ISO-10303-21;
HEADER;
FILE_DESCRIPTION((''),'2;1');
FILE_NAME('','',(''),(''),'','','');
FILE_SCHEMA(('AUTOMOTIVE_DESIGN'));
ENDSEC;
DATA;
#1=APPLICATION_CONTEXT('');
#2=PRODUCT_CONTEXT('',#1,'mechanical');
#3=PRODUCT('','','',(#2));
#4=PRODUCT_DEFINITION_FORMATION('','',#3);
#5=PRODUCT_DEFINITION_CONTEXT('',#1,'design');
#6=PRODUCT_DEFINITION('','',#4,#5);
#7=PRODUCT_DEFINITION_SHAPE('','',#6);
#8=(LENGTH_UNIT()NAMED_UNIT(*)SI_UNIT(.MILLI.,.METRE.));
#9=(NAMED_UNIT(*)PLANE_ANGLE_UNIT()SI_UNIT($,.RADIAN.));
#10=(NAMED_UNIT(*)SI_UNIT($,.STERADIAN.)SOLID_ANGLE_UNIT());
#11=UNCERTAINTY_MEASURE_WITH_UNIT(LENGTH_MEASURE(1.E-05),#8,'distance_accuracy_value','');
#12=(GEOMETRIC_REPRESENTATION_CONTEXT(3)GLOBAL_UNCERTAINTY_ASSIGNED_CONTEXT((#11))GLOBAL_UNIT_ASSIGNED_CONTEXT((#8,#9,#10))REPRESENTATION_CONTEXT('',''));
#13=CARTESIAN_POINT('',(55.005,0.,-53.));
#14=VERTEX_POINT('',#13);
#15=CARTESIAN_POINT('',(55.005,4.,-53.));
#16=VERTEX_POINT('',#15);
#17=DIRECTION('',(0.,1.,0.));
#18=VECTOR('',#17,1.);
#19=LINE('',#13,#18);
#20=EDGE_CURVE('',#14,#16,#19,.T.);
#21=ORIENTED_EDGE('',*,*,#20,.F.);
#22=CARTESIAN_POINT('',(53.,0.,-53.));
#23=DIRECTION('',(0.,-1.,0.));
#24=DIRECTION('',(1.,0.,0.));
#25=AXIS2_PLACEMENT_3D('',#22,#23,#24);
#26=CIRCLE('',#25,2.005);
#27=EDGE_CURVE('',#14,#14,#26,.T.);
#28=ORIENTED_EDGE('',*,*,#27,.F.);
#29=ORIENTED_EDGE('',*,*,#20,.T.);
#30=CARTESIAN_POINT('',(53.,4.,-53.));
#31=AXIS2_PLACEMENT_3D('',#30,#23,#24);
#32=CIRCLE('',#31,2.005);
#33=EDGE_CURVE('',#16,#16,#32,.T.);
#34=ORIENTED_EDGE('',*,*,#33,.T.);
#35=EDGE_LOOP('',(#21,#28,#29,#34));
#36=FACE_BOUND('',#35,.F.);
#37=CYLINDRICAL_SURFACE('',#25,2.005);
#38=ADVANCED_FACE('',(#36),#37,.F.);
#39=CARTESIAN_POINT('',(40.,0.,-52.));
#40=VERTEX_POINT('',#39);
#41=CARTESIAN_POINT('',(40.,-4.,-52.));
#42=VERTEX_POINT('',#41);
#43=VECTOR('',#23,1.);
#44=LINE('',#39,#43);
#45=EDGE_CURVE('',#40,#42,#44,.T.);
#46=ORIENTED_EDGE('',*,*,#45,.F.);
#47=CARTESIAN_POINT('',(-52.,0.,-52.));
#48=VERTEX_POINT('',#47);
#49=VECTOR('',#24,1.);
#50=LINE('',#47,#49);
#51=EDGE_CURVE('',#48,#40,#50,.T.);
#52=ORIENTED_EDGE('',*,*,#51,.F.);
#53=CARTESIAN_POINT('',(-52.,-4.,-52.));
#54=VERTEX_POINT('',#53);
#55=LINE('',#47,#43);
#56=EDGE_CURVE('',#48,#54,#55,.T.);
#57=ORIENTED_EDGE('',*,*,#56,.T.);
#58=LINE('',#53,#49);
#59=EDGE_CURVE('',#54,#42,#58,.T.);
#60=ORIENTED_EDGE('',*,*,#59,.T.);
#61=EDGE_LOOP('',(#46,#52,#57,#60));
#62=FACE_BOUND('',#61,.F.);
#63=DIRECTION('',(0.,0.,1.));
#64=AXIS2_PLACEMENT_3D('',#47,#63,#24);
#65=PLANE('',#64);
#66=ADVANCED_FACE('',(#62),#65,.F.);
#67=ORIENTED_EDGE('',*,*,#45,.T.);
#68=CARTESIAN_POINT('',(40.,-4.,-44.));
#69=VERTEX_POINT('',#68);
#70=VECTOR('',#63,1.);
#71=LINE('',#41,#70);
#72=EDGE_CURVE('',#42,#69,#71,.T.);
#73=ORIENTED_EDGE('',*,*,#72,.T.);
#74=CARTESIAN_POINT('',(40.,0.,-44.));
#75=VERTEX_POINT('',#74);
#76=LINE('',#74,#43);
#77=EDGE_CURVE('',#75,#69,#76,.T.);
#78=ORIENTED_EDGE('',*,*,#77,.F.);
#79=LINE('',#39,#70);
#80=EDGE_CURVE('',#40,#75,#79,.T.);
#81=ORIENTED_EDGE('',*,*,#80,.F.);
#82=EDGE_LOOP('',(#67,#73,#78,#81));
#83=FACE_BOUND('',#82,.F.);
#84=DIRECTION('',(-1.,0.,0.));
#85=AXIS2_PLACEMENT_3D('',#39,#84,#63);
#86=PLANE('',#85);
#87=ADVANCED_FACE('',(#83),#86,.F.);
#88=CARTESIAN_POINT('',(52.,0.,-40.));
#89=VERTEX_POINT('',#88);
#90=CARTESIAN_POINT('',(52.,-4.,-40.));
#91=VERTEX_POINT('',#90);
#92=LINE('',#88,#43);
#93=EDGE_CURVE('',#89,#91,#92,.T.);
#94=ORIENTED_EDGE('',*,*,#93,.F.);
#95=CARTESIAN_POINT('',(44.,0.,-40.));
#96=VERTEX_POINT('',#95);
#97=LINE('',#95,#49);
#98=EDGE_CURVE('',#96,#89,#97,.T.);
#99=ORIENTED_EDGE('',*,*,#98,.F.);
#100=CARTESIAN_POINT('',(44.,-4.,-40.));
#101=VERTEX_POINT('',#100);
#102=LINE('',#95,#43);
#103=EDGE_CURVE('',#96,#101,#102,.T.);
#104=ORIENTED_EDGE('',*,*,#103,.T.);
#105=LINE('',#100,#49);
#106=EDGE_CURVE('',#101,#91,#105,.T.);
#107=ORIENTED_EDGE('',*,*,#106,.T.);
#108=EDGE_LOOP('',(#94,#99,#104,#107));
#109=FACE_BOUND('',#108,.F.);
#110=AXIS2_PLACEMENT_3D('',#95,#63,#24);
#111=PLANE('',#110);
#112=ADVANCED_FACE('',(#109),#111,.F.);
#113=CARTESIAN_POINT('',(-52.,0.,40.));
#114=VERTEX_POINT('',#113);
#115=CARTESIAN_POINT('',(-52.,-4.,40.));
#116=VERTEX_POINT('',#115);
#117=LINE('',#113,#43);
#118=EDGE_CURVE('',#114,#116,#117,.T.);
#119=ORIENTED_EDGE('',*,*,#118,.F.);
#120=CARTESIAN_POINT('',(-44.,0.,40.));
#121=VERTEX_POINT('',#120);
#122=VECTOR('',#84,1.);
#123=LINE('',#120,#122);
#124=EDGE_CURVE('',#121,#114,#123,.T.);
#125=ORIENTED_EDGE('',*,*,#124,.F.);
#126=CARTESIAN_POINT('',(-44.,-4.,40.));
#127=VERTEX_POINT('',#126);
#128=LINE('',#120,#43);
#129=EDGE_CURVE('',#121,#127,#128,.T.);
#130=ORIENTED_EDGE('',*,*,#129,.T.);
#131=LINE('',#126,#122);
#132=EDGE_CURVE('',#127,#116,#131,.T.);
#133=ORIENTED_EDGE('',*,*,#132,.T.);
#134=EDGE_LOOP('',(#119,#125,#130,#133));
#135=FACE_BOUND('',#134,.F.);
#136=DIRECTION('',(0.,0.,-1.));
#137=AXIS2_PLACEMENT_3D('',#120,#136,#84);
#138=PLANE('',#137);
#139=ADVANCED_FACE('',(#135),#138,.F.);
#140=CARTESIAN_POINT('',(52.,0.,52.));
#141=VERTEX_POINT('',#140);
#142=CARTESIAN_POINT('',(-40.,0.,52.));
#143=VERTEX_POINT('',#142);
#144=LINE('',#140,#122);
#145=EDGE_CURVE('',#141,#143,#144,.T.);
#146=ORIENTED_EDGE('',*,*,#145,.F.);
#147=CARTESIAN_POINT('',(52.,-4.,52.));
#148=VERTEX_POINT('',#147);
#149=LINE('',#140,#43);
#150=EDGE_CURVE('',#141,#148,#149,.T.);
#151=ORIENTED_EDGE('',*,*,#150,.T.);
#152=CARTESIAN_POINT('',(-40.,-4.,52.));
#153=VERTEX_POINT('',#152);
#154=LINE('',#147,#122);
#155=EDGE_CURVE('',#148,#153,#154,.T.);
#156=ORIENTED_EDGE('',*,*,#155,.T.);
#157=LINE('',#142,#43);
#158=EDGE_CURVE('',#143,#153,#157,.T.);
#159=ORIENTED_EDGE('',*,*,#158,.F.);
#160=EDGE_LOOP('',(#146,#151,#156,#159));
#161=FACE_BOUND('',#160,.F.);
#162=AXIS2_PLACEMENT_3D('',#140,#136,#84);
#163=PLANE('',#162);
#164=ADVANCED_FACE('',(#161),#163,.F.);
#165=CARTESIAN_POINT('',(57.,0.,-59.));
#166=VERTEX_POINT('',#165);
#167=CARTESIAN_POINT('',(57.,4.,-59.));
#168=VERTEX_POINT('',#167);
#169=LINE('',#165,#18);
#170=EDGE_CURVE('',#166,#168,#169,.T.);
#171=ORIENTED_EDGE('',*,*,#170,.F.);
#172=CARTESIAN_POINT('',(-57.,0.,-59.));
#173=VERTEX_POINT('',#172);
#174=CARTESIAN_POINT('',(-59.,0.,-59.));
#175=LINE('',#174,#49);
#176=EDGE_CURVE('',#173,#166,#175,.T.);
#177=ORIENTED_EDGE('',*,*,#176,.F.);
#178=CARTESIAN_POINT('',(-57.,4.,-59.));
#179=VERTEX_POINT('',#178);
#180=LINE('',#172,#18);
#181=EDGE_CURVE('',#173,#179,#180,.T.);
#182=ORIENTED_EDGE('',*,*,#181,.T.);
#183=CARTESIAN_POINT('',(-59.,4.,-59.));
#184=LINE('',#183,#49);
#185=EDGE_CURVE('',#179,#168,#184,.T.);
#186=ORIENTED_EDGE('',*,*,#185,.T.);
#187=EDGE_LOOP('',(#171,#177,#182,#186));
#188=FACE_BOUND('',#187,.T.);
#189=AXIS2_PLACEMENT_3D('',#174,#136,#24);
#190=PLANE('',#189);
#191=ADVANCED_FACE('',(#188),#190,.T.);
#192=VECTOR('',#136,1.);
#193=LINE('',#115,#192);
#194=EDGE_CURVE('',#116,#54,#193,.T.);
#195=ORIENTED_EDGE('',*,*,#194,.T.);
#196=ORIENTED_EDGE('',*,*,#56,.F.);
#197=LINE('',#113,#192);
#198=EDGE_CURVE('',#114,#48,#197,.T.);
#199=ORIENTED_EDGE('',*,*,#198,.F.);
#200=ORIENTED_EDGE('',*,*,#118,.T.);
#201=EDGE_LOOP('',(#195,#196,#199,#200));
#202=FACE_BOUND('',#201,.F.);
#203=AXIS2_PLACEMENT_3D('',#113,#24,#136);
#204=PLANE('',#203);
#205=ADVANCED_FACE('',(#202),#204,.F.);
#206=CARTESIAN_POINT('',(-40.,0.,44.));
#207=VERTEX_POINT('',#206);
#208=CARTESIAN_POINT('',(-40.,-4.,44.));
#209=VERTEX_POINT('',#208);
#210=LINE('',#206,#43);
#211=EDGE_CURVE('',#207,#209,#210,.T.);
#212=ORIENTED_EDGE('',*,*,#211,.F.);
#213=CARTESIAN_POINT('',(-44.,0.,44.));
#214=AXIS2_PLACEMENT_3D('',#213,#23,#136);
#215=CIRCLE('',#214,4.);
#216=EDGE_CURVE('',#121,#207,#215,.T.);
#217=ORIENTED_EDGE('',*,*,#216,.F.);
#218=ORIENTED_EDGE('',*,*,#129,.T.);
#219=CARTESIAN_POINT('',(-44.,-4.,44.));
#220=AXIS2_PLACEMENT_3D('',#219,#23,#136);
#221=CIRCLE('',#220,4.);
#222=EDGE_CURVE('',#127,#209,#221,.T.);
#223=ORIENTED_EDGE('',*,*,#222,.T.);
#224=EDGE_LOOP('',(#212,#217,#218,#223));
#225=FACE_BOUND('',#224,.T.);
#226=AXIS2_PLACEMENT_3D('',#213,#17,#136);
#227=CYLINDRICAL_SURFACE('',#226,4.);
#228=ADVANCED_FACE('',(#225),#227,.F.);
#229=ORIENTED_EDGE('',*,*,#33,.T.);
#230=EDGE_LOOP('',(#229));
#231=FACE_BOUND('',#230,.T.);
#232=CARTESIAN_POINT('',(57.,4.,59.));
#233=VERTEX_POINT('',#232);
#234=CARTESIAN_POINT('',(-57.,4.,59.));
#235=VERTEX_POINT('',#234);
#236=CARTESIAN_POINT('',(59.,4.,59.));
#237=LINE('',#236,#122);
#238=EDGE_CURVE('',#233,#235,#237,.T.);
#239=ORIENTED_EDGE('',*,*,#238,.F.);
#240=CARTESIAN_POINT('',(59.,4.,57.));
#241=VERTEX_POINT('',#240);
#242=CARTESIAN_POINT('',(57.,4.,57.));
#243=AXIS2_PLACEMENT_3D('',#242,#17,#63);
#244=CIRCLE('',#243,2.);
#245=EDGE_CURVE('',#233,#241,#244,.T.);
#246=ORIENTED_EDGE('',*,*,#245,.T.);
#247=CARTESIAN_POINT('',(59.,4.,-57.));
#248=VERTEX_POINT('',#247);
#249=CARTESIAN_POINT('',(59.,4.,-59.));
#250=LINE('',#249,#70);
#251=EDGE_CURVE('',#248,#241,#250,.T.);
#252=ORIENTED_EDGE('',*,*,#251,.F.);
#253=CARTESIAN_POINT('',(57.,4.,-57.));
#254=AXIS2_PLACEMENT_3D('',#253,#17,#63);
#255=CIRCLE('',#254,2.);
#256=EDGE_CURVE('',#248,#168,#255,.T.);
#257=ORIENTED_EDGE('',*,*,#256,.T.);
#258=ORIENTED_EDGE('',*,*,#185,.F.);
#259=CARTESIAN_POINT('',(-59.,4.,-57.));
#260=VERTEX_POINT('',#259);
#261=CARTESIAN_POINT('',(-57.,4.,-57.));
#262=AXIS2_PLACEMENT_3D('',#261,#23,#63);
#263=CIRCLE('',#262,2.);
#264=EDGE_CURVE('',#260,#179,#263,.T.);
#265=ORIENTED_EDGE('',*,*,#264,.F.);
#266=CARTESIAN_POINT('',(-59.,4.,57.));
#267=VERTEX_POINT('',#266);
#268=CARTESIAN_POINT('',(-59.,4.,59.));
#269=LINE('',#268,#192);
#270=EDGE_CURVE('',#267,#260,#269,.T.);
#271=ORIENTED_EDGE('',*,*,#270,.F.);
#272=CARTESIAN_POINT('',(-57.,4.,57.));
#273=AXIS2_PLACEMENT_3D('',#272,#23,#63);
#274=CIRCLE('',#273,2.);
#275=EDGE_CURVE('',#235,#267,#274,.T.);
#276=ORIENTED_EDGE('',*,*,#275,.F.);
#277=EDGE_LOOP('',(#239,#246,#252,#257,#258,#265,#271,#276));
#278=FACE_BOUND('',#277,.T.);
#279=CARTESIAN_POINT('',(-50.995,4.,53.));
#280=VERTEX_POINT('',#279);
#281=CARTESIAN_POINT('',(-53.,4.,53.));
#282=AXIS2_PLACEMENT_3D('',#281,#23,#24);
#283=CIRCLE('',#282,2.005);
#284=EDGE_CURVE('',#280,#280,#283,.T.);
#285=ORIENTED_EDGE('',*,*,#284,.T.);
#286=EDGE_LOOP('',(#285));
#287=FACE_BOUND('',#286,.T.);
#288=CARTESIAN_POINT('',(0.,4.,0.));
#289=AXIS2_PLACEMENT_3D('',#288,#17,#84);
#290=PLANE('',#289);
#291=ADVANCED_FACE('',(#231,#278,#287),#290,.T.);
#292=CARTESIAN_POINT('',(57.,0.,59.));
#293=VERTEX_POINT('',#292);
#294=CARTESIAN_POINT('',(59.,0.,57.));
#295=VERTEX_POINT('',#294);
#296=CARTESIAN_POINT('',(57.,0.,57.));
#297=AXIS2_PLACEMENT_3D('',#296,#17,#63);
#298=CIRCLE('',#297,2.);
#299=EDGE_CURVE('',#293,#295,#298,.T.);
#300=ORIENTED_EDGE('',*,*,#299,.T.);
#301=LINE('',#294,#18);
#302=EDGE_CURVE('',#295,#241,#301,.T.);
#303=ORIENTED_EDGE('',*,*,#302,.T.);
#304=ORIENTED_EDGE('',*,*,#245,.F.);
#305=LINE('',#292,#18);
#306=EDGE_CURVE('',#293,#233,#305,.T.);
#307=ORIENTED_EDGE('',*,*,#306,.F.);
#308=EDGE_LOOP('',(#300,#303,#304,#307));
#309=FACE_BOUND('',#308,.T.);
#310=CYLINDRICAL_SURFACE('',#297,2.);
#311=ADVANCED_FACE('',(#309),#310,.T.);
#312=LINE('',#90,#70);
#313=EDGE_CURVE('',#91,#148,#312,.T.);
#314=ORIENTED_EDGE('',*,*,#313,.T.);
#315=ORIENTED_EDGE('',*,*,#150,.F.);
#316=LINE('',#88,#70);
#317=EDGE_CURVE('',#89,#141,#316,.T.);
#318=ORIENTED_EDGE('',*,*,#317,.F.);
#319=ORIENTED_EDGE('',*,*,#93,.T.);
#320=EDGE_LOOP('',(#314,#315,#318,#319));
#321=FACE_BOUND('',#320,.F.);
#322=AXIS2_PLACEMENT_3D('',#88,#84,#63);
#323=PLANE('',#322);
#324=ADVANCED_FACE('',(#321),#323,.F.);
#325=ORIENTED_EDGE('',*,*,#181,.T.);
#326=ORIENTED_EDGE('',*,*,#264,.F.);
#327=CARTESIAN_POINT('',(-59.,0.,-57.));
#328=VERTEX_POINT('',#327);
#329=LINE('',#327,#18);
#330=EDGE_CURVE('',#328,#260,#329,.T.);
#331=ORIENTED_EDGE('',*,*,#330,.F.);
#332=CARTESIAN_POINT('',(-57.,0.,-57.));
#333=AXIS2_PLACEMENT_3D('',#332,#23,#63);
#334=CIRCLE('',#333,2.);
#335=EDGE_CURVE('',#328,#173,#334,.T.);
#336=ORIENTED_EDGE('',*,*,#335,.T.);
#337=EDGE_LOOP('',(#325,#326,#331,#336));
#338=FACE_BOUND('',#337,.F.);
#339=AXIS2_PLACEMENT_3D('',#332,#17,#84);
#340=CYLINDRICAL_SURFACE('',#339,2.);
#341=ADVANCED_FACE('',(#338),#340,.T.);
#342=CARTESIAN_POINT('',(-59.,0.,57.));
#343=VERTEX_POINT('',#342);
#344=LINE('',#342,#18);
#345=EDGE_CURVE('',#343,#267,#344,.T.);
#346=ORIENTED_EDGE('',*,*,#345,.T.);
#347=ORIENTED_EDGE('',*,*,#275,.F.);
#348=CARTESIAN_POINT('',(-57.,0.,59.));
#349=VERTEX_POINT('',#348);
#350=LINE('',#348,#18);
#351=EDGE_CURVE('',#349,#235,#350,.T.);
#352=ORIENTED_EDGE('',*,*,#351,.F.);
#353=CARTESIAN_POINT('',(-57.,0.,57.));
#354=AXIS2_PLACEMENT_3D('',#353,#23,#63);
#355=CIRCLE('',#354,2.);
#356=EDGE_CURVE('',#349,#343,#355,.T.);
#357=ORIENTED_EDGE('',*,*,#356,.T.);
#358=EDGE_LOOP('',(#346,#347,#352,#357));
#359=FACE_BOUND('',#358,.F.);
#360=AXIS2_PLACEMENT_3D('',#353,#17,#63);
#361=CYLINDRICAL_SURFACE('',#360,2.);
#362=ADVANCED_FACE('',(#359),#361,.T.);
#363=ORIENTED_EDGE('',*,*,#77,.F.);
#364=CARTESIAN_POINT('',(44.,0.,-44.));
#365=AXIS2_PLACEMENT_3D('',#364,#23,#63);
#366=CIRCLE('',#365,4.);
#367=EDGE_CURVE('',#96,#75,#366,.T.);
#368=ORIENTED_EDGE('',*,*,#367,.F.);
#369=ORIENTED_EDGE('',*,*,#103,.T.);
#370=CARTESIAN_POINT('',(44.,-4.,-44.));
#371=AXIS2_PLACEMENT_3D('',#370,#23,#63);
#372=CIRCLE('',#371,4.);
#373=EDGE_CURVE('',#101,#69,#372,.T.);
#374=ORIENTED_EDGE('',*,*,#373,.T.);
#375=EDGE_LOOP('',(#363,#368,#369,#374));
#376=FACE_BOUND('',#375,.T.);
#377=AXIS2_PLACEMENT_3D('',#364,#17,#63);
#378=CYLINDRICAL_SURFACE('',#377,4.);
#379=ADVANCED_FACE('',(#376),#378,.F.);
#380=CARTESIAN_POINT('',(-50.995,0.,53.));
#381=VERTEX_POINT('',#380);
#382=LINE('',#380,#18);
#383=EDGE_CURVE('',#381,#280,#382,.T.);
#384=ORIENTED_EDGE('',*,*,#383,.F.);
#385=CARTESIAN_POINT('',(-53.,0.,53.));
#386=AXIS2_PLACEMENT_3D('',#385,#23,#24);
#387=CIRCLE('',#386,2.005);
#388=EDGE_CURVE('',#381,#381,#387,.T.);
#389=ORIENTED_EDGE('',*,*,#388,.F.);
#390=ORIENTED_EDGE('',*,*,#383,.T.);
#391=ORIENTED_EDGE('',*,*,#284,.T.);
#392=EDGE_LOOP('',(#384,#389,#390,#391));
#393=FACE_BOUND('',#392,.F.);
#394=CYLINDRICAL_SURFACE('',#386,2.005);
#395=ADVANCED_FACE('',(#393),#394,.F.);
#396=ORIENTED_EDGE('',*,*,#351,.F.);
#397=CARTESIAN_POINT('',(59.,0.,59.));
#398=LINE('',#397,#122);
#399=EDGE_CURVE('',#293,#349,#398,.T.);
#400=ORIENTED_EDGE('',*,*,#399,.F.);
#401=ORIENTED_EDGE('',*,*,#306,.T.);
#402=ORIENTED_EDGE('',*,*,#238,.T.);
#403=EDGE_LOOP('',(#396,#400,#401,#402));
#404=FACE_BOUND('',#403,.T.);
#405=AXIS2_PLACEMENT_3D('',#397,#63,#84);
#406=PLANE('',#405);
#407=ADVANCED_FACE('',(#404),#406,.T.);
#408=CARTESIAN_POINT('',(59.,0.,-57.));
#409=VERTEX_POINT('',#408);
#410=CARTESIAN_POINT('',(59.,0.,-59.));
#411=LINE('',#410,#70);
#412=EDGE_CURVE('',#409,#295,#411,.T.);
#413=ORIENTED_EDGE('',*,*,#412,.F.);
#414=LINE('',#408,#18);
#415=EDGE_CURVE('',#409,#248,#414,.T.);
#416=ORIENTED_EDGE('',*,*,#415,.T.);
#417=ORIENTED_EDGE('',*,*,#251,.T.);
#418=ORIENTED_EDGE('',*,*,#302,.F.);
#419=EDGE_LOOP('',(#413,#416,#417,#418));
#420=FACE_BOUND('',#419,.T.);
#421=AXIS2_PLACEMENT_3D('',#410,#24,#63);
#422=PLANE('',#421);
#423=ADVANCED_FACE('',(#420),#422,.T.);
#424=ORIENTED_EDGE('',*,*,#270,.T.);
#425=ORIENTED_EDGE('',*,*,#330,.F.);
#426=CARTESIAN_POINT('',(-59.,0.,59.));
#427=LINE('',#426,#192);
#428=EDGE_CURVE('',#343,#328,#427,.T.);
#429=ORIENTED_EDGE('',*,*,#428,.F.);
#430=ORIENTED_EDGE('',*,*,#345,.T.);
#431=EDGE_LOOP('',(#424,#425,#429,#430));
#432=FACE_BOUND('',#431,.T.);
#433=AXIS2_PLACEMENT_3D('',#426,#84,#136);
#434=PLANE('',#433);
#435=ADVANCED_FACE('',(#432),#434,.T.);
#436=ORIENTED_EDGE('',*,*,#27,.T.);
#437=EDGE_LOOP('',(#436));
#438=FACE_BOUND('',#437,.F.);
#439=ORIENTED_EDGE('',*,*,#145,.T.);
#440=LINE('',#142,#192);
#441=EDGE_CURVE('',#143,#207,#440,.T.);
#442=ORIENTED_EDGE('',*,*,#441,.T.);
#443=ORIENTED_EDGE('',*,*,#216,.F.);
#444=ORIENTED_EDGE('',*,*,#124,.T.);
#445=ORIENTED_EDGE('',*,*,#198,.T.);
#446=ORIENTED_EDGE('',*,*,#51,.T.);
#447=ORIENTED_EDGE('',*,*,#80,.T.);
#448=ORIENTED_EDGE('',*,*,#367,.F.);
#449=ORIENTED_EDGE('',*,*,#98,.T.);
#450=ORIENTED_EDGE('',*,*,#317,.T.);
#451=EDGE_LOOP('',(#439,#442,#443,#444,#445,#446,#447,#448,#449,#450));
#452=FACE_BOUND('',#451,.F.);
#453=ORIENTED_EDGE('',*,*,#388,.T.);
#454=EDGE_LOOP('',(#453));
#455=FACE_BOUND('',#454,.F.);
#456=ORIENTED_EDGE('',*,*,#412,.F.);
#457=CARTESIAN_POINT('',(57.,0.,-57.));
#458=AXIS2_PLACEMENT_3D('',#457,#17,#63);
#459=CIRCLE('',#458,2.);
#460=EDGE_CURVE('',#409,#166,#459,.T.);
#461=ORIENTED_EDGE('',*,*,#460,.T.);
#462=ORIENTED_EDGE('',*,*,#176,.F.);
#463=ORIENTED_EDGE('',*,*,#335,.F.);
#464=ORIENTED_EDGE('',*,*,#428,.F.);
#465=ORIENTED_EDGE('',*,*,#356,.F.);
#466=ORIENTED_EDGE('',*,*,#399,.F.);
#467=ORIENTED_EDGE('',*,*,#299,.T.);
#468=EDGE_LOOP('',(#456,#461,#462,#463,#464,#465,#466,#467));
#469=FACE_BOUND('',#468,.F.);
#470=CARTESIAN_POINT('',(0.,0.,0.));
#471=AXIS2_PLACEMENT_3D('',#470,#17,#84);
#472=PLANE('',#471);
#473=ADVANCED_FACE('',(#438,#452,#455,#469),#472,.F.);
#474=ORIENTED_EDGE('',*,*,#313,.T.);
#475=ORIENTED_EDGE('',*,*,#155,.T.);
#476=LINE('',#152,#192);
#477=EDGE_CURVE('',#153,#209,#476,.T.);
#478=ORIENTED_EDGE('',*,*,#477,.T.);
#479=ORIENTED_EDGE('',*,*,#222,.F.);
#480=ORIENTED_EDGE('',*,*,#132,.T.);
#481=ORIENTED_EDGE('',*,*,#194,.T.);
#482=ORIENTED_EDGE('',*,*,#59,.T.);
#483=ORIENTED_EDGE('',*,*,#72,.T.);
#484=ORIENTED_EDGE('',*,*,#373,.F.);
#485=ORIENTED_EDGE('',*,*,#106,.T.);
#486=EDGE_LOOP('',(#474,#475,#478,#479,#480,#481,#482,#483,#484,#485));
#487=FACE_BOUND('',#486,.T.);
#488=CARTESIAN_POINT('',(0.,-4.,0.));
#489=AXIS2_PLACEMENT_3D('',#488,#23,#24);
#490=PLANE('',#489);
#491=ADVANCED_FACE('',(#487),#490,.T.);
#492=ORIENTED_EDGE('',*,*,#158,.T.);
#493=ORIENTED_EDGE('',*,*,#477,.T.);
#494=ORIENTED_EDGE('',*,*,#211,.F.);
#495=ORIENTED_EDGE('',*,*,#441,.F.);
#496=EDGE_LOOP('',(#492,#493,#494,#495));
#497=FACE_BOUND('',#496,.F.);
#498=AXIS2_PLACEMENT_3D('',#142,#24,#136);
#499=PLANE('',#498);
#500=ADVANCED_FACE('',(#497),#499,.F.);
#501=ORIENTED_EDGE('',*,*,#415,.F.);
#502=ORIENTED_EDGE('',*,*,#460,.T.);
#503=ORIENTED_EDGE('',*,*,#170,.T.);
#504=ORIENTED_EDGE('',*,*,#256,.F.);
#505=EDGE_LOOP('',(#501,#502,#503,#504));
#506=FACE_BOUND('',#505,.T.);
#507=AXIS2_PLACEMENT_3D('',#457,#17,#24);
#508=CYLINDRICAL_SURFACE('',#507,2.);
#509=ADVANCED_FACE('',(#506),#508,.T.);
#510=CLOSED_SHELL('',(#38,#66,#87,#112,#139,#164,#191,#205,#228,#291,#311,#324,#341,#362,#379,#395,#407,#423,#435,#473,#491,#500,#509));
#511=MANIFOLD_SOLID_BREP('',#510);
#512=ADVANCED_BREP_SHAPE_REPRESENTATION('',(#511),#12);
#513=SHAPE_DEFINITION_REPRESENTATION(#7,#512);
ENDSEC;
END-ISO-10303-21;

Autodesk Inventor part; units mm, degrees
ref_plane "YZ Plane" through (0, 0, 0) normal (1, 0, 0) x (0, 1, 0)
ref_plane "XZ Plane" through (0, 0, 0) normal (0, 1, 0) x (-1, 0, 0)
ref_plane "XY Plane" through (0, 0, 0) normal (0, 0, 1) x (1, 0, 0)
sketch "Esboço1" plane through (0, 0, 0) normal (0, 1, 0) x (-1, 0, 0)
  line L0 (-59, 59) -> (59, 59)
  line L1 (59, 59) -> (59, -59)
  line L2 (59, -59) -> (-59, -59)
  line L3 (-59, -59) -> (-59, 59)
  line L4 (-59, 59) -> (59, -59) construction
  line L5 (59, 59) -> (-59, -59) construction
  point P0 (0, 0)
  dimension "d0" = 118
  dimension "d1" = 118
extrude "Extrusão1" add sketch "Esboço1" along normal blind 4
sketch "Esboço2" plane through (0, 0, 0) normal (0, -1, 0) x (1, 0, 0)
  line L0 (-52, -52) -> (40, -52)
  line L1 (52, -40) -> (52, 52)
  line L2 (52, 52) -> (-40, 52)
  line L3 (-52, 40) -> (-52, -52)
  line L4 (-52, -52) -> (52, 52) construction
  line L5 (52, -52) -> (-52, 52) construction
  line L6 (-40, 52) -> (-40, 44)
  line L7 (-44, 40) -> (-52, 40)
  line L8 (40, -52) -> (40, -44)
  line L9 (44, -40) -> (52, -40)
  arc A0 (-44, 40) -> (-40, 44) centre (-44, 44) ccw
  arc A1 (44, -40) -> (40, -44) centre (44, -44) ccw
  point P0 (0, 0)
  dimension "d13" = 4
extrude "Extrusão2" add sketch "Esboço2" along normal blind 4
fillet "Arredondamento1" radius 2 4 edges at (59, 2, 59) (59, 2, -59) (-59, 2, 59) (-59, 2, -59)
sketch "Esboço3" plane through (0, 0, 0) normal (0, -1, 0) x (1, 0, 0)
  circle A0 centre (53, -53) radius 2.005
  circle A1 centre (-53, 53) radius 2.005
  line L0 (57, -59) -> (-57, -59) projected
  line L1 (59, 57) -> (59, -57) projected
  line L2 (-59, -57) -> (-59, 57) projected
  line L3 (-57, 59) -> (57, 59) projected
  point P0 (0, 0)
  dimension "d15" = 4.01
  dimension "d16" = 4.01
  dimension "d17" = 6
  dimension "d18" = 6
  dimension "d19" = 6
  dimension "d20" = 6
extrude "Extrusão3" cut sketch "Esboço3" against normal blind 4
properties part number "tampa caixa"
